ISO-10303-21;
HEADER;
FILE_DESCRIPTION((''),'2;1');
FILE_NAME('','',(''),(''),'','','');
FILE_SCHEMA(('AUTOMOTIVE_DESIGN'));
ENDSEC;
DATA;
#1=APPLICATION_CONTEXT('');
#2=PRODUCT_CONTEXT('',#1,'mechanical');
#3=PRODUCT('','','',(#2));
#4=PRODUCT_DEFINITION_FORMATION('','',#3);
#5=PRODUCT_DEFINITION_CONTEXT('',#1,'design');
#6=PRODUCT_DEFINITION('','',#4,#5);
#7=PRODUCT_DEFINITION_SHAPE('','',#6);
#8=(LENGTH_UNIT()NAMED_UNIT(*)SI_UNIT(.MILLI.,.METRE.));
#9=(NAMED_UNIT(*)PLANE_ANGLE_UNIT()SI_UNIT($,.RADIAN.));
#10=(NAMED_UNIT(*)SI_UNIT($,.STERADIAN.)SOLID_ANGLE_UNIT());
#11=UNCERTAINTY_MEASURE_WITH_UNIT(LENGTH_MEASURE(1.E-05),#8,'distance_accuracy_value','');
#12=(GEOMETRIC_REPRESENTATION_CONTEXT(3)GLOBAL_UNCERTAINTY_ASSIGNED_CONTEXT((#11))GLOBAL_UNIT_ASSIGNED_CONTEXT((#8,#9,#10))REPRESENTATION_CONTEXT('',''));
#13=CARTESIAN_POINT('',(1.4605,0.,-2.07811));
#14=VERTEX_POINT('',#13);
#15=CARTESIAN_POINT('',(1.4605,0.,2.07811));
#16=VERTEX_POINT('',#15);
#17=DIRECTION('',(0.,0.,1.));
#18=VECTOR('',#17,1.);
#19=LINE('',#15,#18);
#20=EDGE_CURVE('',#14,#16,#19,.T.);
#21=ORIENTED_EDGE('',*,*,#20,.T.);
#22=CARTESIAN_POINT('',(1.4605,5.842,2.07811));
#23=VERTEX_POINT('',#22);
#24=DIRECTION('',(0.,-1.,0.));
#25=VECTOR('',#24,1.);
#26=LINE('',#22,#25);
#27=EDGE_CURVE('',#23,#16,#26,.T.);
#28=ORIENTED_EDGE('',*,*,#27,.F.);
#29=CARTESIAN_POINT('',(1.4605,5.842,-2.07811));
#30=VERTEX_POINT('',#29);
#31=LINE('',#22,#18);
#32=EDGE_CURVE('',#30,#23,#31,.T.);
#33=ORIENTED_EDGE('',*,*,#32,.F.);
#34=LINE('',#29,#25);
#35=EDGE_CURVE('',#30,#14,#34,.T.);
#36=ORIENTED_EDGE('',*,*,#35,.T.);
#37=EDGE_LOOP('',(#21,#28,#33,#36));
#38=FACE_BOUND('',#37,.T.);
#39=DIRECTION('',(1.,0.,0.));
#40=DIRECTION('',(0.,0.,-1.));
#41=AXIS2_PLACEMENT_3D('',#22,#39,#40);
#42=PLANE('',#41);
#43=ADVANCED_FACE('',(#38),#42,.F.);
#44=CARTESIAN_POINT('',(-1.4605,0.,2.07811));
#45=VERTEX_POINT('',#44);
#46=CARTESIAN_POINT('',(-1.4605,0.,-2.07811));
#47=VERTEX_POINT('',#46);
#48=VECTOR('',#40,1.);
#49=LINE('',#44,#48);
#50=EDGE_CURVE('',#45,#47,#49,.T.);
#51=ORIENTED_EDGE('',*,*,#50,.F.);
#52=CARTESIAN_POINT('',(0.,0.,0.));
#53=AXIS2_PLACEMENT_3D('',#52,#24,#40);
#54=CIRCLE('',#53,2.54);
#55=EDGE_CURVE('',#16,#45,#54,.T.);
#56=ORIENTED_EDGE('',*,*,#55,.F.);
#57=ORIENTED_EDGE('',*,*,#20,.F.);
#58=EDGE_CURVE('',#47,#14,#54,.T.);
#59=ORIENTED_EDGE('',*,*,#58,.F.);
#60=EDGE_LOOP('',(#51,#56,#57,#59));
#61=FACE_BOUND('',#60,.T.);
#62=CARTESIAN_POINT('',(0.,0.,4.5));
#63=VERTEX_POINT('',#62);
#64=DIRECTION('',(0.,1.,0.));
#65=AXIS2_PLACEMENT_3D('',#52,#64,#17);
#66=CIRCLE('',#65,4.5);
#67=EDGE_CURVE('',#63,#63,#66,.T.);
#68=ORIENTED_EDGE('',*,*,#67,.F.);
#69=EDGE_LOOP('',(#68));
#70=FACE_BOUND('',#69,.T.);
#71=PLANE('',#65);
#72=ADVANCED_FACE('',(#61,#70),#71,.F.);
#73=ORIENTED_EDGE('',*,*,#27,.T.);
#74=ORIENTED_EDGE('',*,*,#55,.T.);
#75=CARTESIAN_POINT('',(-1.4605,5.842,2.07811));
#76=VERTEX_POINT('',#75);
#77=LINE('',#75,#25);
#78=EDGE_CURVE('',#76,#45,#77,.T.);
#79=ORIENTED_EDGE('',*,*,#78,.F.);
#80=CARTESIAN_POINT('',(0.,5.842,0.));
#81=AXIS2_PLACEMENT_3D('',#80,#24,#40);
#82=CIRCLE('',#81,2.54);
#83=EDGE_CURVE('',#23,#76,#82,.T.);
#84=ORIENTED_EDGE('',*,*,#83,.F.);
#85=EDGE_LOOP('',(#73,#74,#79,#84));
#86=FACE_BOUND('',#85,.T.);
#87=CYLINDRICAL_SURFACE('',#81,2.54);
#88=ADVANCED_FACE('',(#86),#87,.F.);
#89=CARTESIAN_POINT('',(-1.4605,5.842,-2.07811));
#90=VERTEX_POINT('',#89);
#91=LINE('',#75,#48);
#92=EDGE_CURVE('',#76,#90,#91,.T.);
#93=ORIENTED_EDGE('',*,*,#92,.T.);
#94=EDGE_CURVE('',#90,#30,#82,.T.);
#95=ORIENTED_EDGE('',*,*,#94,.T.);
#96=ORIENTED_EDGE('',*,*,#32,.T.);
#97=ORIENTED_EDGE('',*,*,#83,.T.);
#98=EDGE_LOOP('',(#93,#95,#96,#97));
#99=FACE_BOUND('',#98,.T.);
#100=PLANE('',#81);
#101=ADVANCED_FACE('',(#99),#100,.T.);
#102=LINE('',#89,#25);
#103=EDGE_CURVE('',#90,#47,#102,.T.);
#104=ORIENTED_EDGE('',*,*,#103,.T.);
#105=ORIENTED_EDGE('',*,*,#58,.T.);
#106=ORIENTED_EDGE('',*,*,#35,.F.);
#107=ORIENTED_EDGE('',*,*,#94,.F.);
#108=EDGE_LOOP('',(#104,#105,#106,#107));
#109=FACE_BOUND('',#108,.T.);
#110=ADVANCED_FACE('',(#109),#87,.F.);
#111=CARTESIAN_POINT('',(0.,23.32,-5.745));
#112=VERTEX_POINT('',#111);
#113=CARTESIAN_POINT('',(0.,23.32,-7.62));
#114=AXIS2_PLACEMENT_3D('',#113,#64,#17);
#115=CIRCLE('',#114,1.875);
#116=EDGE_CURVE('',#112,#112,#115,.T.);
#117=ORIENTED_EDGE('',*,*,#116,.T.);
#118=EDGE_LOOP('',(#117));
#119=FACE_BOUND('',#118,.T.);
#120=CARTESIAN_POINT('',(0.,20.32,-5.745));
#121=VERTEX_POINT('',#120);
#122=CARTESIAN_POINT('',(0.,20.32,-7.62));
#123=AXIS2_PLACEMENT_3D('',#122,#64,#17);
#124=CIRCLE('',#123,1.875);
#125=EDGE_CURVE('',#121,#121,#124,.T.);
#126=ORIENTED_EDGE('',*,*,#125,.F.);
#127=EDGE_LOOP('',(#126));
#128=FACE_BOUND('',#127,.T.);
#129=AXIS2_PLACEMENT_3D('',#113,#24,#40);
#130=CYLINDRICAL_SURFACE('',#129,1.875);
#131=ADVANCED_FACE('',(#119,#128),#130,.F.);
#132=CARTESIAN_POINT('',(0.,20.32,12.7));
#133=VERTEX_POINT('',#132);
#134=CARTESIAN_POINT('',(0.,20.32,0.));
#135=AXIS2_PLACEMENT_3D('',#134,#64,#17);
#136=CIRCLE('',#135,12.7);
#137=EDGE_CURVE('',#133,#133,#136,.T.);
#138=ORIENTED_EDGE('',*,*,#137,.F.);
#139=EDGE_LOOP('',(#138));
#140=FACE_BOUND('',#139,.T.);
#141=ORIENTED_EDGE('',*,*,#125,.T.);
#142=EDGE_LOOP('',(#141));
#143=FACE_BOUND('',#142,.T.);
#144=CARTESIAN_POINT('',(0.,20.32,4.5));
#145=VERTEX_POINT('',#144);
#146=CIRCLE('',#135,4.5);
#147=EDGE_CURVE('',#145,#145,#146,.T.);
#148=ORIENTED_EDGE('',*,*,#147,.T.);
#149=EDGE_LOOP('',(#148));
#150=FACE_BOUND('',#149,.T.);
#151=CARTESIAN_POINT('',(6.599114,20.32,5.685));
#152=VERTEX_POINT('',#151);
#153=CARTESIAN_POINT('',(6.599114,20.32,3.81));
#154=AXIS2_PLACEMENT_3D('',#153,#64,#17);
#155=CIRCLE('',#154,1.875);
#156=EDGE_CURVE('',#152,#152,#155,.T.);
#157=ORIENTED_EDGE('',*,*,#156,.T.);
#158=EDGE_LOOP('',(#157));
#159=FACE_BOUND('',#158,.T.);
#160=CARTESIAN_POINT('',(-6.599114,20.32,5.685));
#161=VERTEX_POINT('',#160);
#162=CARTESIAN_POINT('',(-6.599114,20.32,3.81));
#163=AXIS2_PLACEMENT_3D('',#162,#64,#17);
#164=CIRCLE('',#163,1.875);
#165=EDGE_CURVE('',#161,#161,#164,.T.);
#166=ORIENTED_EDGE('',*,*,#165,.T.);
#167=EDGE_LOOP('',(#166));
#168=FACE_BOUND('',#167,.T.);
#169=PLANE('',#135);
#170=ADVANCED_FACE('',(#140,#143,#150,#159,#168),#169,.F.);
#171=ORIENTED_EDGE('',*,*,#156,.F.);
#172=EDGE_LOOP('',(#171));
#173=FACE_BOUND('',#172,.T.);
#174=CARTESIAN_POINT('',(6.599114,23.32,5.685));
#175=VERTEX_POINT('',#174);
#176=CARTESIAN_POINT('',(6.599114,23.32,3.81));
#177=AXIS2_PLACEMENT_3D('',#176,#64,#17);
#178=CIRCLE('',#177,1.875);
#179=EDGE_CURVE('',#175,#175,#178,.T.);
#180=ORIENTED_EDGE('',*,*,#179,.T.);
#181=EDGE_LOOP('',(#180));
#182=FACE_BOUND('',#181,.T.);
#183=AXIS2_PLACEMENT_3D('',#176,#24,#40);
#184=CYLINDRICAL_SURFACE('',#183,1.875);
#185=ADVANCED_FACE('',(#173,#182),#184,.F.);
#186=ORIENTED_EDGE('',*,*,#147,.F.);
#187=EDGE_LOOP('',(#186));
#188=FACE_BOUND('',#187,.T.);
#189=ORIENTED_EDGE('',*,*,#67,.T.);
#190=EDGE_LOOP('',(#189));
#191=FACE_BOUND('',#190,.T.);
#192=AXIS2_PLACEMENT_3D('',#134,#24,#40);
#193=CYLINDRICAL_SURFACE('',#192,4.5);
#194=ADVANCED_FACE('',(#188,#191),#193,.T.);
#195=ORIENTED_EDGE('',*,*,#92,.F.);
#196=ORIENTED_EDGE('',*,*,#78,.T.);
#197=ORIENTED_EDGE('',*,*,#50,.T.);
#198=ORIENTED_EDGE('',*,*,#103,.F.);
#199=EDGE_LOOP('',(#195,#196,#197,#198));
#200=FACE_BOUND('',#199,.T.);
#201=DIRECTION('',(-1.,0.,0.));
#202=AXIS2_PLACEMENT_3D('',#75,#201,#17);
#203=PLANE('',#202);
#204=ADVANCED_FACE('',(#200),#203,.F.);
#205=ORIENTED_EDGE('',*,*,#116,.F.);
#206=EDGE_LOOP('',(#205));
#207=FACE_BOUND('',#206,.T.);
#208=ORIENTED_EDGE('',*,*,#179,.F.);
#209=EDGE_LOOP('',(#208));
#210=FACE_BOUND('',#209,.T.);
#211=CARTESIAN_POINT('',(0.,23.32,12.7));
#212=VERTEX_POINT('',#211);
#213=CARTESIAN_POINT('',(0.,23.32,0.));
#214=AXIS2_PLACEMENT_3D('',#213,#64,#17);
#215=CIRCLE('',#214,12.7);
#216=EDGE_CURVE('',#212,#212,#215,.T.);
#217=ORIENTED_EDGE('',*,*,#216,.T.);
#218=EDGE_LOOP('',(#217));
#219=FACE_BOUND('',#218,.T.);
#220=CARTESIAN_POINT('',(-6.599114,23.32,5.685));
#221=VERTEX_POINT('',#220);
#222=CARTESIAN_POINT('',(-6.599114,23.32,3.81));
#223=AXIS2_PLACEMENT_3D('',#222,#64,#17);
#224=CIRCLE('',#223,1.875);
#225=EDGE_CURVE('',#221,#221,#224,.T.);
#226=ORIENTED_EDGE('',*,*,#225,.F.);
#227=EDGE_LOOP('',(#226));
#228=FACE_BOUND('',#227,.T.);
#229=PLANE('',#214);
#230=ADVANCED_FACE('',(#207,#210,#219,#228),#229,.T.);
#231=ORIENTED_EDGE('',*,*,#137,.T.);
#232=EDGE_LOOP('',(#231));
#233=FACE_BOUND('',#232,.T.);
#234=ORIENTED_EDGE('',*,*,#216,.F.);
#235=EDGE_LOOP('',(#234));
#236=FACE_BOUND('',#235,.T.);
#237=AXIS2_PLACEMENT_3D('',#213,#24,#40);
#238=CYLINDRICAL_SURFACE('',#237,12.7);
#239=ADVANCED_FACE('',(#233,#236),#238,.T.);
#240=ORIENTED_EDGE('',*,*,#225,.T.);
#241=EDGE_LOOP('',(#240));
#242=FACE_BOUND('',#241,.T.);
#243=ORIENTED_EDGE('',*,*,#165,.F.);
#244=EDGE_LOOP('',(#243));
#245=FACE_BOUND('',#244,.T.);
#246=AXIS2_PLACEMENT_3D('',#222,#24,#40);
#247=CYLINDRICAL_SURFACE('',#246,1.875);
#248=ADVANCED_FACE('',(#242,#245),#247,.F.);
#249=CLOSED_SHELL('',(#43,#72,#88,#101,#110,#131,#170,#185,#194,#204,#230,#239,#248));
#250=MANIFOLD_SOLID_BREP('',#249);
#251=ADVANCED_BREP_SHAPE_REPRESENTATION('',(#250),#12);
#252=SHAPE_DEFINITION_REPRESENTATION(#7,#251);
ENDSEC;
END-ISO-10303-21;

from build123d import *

# Parameters (mm, degrees)
SKETCH1_R           = 4.5
BOSS_EXTRUDE1_DEPTH = 20.32
SKETCH2_R           = 12.7
SKETCH2_R_2         = 1.875
BOSS_EXTRUDE2_DEPTH = 3
CUT_EXTRUDE1_DEPTH  = 5.842


with BuildPart() as part:
    # Sketch1 → Boss-Extrude1 (new body)
    with BuildSketch(Plane(origin=(0, 0, 0), x_dir=(1, 0, 0), z_dir=(0, 1, 0))):
        Circle(SKETCH1_R)
    extrude(amount=BOSS_EXTRUDE1_DEPTH)

    # Sketch2 → Boss-Extrude2 (add)
    with BuildSketch(Plane(origin=(0, 20.32, 0), x_dir=(1, 0, 0), z_dir=(0, 1, 0))):
        Circle(SKETCH2_R)
        with Locations((0, 7.62)):
            Circle(SKETCH2_R_2, mode=Mode.SUBTRACT)
        with Locations((6.599113577, -3.81)):
            Circle(SKETCH2_R_2, mode=Mode.SUBTRACT)
        with Locations((-6.599113577, -3.81)):
            Circle(SKETCH2_R_2, mode=Mode.SUBTRACT)
    extrude(amount=BOSS_EXTRUDE2_DEPTH)

    # Sketch3 → Cut-Extrude1 (cut)
    with BuildSketch(Plane.XZ):
        with BuildLine():
            Line((1.4605, 2.078109658), (1.4605, -2.078109658))
            ThreePointArc((1.4605, -2.078109658), (0, -2.54), (-1.4605, -2.078109658))
            Line((-1.4605, -2.078109658), (-1.4605, 2.078109658))
            ThreePointArc((-1.4605, 2.078109658), (0, 2.54), (1.4605, 2.078109658))
        make_face()
    extrude(amount=-CUT_EXTRUDE1_DEPTH, mode=Mode.SUBTRACT)


solid = part.part
